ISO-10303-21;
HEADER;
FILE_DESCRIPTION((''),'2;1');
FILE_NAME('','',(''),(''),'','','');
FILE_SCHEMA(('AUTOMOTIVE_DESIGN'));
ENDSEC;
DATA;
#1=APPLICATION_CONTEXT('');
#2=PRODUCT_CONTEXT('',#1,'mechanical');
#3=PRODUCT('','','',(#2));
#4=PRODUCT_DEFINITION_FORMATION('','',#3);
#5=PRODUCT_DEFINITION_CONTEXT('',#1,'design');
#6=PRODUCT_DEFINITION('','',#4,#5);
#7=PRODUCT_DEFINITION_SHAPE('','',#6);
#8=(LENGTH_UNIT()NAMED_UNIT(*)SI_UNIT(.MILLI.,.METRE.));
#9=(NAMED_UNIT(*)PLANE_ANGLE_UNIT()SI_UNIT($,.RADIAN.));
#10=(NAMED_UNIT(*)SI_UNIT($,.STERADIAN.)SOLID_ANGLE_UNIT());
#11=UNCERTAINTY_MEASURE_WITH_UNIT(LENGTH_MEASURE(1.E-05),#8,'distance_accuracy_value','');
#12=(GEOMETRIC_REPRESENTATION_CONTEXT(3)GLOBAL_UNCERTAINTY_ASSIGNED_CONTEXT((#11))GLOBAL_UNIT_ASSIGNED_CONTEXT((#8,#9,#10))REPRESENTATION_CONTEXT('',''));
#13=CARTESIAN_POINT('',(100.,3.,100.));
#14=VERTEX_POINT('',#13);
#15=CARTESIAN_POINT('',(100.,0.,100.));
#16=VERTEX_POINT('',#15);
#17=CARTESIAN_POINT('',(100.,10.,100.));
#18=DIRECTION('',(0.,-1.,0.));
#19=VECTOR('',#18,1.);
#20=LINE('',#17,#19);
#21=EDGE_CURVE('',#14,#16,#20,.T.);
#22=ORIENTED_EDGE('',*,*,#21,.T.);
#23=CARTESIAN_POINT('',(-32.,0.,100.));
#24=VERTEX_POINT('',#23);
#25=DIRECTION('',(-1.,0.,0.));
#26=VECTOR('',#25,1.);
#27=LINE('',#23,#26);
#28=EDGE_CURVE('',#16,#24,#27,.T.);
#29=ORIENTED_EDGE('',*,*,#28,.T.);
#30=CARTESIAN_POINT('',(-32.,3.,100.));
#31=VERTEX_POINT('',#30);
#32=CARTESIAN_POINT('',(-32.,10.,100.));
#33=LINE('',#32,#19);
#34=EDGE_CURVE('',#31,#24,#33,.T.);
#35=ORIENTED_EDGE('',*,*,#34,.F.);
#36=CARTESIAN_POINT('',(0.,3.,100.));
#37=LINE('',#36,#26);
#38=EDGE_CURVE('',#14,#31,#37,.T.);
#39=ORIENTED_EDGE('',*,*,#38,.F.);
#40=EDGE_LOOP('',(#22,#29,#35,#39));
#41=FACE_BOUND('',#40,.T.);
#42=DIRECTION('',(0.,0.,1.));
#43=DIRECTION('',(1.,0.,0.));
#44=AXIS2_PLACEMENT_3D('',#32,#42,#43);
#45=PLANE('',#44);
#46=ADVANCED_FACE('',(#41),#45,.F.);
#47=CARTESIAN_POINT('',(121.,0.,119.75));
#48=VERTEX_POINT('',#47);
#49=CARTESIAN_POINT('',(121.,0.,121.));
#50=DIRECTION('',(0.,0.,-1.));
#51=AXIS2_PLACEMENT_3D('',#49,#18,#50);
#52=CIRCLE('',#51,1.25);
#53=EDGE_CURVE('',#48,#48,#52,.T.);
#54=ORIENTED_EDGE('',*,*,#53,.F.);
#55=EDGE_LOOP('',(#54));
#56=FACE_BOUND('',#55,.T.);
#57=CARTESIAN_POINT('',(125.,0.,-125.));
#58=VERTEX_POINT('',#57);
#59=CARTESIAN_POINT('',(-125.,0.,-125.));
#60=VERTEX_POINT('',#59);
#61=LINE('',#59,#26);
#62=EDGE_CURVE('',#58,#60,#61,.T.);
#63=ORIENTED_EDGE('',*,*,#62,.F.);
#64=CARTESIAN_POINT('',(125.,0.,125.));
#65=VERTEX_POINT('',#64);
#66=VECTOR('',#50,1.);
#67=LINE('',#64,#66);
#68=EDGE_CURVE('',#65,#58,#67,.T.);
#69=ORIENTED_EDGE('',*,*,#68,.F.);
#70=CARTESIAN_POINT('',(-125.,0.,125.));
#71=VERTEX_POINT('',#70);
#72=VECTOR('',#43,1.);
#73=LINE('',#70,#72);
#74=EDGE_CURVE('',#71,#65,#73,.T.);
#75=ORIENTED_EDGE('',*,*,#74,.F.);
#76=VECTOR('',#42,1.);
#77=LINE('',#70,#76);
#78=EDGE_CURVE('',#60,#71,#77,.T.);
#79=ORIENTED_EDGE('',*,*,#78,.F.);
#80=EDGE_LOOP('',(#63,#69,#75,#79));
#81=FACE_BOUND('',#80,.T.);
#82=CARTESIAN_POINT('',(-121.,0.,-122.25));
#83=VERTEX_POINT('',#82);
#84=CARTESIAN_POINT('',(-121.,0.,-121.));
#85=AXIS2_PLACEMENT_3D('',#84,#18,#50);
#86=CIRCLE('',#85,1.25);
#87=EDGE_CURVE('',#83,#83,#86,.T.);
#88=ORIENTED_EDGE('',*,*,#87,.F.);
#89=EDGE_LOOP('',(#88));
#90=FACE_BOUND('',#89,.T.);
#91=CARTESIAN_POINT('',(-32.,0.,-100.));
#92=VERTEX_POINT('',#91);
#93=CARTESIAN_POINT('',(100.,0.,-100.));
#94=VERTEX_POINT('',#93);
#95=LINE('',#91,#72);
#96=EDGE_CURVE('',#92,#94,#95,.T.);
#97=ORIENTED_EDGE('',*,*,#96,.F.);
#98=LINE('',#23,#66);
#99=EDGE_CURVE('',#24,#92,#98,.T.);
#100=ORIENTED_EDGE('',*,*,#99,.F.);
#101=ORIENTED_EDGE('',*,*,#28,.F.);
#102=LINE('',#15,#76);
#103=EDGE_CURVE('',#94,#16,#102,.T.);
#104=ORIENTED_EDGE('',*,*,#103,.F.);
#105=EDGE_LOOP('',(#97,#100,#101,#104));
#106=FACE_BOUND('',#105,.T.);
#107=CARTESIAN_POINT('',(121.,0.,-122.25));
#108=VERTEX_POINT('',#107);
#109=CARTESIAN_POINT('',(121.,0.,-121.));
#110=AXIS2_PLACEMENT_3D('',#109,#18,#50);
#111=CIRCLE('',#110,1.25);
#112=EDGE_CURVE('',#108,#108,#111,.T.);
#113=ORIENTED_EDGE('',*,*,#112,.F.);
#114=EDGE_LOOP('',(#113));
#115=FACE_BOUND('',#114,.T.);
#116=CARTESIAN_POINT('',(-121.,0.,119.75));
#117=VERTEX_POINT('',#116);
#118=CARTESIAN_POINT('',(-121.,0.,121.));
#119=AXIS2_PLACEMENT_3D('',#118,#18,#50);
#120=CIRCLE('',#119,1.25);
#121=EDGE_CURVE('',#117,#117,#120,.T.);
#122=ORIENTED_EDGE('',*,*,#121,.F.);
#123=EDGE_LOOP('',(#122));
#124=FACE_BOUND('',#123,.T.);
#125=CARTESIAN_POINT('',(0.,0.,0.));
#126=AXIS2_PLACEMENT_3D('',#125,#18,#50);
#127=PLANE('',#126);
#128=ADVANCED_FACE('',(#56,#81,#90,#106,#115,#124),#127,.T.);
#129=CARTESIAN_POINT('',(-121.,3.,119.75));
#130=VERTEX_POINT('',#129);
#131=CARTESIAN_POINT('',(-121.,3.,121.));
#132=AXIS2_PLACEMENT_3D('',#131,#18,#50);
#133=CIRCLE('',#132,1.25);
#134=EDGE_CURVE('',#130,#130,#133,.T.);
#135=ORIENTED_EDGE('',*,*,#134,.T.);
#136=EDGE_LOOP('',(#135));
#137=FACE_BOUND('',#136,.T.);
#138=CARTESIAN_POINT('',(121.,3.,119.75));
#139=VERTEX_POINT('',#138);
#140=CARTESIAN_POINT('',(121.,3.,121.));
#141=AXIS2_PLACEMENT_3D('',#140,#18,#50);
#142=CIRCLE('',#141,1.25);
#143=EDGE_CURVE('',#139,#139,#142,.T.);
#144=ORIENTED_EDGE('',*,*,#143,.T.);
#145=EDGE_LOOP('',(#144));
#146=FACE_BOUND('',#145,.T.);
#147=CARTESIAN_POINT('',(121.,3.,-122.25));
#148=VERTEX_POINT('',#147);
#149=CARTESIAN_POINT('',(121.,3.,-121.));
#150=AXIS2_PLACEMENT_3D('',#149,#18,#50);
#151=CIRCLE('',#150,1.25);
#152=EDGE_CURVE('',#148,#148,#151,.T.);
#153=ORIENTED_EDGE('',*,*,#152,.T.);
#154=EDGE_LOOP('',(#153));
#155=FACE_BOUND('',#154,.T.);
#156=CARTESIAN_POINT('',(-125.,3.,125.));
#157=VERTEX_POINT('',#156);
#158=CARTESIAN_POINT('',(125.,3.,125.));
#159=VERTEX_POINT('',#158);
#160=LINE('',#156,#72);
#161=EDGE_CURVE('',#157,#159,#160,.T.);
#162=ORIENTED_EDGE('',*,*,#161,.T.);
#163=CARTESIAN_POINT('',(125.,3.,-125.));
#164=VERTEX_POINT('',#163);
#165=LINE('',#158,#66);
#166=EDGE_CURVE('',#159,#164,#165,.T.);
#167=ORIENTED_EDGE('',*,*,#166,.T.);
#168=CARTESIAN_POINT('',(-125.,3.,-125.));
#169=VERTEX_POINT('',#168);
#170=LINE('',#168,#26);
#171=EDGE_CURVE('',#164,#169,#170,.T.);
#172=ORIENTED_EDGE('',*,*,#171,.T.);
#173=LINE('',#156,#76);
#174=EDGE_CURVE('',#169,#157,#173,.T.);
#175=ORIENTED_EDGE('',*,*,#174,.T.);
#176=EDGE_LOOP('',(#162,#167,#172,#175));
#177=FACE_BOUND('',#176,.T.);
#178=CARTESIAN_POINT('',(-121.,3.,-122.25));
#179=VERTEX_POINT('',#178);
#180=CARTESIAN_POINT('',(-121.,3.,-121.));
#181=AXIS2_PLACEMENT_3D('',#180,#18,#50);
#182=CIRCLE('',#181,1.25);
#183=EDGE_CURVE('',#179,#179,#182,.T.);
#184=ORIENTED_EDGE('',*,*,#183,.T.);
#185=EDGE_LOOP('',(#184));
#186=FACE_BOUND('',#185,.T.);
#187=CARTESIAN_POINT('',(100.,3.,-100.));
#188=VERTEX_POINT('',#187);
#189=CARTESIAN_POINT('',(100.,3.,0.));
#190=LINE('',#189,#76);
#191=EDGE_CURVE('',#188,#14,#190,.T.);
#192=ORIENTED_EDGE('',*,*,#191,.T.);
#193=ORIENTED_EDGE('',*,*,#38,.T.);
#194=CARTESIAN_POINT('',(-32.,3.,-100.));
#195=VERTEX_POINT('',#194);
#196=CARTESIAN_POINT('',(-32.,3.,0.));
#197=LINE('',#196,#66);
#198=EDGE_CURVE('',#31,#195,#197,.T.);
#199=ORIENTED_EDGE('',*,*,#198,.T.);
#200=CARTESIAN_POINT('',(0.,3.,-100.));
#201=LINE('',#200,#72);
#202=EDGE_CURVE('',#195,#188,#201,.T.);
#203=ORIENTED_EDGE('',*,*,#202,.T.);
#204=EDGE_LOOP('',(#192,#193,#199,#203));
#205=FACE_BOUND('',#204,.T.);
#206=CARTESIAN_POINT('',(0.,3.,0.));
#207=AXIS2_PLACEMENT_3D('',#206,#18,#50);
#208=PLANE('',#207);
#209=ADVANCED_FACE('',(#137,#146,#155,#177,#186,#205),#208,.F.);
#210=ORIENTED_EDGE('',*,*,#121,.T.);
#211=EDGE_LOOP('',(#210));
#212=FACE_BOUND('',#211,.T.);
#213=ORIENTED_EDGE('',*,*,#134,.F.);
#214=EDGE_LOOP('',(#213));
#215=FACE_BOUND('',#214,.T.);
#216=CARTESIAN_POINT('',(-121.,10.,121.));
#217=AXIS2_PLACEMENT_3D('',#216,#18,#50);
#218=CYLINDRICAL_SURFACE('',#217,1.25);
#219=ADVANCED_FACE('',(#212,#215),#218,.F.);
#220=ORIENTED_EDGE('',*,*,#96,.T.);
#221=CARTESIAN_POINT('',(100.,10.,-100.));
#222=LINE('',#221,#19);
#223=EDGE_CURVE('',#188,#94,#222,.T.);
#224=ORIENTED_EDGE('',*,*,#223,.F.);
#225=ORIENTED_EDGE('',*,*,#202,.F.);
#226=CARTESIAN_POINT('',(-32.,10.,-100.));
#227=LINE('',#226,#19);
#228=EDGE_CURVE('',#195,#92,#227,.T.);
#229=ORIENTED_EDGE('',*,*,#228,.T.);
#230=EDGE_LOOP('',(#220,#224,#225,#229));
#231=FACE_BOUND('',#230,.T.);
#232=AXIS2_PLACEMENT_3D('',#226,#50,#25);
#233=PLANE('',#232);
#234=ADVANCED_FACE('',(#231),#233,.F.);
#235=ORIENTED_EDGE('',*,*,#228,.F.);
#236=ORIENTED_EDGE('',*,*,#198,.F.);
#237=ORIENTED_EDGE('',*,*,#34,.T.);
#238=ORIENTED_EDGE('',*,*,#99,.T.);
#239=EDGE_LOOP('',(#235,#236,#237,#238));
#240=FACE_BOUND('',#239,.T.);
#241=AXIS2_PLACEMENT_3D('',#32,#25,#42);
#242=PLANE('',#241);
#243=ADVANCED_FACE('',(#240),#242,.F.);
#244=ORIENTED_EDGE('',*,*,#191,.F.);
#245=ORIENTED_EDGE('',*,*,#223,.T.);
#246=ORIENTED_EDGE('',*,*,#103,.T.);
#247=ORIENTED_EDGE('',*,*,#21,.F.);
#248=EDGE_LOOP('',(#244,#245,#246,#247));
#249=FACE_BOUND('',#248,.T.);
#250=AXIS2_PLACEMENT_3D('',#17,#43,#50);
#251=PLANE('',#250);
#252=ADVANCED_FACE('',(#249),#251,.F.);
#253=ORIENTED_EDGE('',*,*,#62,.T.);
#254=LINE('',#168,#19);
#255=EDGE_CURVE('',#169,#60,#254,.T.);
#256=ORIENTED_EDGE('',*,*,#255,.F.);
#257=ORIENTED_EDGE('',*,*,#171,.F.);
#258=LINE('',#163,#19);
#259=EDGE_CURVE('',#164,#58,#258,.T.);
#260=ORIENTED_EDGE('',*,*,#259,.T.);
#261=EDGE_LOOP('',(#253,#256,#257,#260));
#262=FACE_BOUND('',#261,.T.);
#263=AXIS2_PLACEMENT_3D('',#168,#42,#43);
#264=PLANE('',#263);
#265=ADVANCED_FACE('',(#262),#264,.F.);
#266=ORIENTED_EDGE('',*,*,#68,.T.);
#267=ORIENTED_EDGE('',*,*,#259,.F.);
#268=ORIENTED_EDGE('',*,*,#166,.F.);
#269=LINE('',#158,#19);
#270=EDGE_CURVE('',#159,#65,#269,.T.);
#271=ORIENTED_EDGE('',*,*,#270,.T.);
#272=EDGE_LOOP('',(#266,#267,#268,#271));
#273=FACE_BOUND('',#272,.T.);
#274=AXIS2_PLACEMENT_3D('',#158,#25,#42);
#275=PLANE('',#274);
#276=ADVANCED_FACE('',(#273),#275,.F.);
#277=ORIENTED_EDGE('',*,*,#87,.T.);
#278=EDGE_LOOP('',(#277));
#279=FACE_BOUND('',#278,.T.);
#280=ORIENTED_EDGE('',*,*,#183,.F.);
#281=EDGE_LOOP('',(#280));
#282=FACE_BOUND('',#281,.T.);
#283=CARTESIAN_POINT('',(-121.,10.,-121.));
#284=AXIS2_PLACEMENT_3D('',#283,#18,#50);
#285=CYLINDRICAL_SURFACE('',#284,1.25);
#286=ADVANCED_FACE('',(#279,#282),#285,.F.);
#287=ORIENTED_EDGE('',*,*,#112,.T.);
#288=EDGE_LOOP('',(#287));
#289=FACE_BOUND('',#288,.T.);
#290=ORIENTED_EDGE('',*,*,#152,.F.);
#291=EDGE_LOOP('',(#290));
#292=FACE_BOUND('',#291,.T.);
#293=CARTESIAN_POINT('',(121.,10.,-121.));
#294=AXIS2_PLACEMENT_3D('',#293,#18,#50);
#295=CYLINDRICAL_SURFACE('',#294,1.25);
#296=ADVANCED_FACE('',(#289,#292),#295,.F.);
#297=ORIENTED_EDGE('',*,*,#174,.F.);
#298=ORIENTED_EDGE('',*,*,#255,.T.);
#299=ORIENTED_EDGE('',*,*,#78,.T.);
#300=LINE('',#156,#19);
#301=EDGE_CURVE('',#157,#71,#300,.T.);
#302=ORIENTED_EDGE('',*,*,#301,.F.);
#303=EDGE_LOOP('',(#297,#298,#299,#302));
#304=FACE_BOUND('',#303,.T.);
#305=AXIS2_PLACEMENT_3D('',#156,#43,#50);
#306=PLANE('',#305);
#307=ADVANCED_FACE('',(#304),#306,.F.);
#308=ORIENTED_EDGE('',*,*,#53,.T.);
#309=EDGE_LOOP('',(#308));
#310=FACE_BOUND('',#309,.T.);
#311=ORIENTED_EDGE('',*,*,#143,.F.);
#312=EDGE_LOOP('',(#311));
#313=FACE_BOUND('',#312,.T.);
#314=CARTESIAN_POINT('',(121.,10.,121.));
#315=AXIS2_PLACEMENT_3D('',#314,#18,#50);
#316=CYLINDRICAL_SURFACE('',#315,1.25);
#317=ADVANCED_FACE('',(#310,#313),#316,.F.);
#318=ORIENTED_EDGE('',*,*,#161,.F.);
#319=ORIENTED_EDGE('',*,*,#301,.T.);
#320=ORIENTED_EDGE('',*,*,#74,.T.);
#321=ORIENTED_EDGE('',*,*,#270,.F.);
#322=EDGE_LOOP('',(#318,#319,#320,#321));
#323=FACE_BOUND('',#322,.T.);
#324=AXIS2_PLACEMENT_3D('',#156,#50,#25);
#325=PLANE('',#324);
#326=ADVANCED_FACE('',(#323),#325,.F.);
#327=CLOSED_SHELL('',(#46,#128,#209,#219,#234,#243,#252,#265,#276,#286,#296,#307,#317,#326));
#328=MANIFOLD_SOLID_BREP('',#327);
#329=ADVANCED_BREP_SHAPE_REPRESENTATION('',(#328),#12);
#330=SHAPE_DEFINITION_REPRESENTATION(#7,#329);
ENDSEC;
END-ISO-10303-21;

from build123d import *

# Parameters (mm, degrees)
SKETCH_1_W          = 250
SKETCH_1_H          = 250
EXTRUDE_1_DEPTH     = 3
SKETCH_3_W          = 132
SKETCH_3_H          = 200
CUT_EXTRUDE_1_DEPTH = 10
SKETCH_4_R          = 1.25
CUT_EXTRUDE_2_DEPTH = 10


with BuildPart() as part:
    # Эскиз1 → Бобышка-Вытянуть1 (new body)
    with BuildSketch(Plane(origin=(0, 0, 0), x_dir=(1, 0, 0), z_dir=(0, 1, 0))):
        Rectangle(SKETCH_1_W, SKETCH_1_H)
    extrude(amount=EXTRUDE_1_DEPTH)

    # Эскиз3 → Вырез-Вытянуть1 (cut)
    with BuildSketch(Plane.XZ):
        with Locations((34, 0)):
            Rectangle(SKETCH_3_W, SKETCH_3_H)
    extrude(amount=-CUT_EXTRUDE_1_DEPTH, mode=Mode.SUBTRACT)

    # Эскиз4 → Вырез-Вытянуть2 (cut)
    with BuildSketch(Plane.XZ):
        with Locations(Location((-121, 121, 0), (0, 0, 270))):
            Circle(SKETCH_4_R)
        with Locations(Location((121, 121, 0), (0, 0, 270))):
            Circle(SKETCH_4_R)
        with Locations(Location((121, -121, 0), (0, 0, 270))):
            Circle(SKETCH_4_R)
        with Locations(Location((-121, -121, 0), (0, 0, 270))):
            Circle(SKETCH_4_R)
    extrude(amount=-CUT_EXTRUDE_2_DEPTH, mode=Mode.SUBTRACT)


solid = part.part
